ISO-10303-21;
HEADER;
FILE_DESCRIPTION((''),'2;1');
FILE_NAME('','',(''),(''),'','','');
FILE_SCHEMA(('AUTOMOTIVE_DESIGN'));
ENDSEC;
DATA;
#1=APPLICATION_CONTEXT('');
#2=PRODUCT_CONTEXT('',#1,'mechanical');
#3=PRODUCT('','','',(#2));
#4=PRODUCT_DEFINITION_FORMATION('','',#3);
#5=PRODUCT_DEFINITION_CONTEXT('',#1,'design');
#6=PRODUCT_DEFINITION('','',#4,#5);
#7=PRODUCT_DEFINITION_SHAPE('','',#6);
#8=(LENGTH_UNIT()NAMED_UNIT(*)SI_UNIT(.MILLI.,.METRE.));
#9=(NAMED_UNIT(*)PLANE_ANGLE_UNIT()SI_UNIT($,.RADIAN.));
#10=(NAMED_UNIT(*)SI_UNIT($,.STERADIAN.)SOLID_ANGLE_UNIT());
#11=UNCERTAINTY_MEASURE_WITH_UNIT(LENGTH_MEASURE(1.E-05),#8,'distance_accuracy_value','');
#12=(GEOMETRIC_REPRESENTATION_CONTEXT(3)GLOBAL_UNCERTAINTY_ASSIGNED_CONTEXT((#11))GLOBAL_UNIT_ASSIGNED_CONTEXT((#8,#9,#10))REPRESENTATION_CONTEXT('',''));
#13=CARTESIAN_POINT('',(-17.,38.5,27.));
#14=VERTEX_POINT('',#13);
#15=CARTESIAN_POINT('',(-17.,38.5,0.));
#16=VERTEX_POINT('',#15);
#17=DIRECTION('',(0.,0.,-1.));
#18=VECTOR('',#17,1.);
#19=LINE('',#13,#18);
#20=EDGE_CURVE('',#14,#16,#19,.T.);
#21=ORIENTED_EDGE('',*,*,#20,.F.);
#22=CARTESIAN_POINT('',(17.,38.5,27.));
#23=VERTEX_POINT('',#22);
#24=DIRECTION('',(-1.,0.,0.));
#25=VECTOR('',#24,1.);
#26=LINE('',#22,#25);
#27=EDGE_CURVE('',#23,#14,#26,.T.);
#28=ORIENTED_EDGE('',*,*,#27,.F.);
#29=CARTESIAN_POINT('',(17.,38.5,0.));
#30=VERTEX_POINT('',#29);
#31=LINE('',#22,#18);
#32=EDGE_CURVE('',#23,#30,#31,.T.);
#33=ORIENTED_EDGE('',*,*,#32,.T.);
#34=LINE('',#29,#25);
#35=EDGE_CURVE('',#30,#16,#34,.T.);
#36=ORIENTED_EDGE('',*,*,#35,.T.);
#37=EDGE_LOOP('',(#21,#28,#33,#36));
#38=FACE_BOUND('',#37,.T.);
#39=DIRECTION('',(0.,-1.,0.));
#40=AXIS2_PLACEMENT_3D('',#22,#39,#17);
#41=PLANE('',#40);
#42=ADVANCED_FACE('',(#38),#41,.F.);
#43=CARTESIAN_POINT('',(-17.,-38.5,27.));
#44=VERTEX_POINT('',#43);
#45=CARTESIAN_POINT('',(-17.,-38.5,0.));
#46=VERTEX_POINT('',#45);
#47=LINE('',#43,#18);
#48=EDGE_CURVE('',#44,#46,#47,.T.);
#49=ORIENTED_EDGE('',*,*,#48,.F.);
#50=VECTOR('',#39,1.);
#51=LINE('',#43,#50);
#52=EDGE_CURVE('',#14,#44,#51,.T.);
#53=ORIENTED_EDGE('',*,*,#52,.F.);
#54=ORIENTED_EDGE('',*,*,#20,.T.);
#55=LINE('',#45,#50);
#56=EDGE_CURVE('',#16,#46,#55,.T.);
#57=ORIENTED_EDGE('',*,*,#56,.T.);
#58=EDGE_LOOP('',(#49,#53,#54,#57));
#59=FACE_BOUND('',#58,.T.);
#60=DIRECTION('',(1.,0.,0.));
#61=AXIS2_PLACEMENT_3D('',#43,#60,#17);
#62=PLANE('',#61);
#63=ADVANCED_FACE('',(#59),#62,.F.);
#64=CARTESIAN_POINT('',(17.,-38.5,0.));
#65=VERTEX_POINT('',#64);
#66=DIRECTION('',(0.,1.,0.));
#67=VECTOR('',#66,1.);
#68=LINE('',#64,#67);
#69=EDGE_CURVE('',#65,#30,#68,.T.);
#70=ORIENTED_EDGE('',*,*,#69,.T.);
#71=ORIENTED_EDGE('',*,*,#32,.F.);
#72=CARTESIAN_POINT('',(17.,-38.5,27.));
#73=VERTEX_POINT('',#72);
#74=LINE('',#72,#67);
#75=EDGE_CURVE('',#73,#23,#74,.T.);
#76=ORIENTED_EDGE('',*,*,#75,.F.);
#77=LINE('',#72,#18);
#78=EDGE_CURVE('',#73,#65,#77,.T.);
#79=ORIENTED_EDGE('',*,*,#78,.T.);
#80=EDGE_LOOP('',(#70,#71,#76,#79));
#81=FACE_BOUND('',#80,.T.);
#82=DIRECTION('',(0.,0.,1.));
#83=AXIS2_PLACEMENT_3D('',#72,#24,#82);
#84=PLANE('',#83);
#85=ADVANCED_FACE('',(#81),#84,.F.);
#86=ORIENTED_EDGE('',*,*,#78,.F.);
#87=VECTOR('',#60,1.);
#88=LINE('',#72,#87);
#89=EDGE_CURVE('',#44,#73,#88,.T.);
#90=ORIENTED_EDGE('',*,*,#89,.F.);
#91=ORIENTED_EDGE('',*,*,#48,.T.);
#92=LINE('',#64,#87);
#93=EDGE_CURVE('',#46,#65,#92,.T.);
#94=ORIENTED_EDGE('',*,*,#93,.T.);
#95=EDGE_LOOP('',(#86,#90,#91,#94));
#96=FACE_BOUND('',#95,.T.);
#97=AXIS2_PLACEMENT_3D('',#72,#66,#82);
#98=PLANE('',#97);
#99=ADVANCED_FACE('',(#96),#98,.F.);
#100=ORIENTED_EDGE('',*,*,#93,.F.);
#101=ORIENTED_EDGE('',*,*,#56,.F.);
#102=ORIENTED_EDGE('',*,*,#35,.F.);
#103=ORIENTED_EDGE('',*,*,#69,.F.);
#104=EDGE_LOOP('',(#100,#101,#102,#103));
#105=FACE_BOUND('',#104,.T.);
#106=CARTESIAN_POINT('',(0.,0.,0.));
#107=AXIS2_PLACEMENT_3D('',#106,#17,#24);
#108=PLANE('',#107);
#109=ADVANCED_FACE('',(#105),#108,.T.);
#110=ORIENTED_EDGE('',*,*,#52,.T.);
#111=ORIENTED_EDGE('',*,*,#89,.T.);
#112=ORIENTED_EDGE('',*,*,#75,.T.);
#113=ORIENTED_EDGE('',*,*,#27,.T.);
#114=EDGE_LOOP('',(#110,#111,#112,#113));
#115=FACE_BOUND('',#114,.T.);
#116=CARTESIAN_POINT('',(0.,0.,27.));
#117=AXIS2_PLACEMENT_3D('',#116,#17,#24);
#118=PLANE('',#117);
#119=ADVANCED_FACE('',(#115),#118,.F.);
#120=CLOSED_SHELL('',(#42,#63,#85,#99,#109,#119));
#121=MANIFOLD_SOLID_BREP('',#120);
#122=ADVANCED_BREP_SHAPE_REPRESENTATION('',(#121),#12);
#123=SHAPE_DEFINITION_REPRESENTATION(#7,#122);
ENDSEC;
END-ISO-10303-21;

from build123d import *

# Parameters (mm, degrees)
ESBO_O1_W                = 77
ESBO_O1_H                = 34
RESSALTO_EXTRUS_O1_DEPTH = 27


with BuildPart() as part:
    # Esboço1 → Ressalto-extrusão1 (new body)
    with BuildSketch(Plane(origin=(0, 0, 0), x_dir=(0, 1, 0), z_dir=(0, 0, 1))):
        Rectangle(ESBO_O1_W, ESBO_O1_H)
    extrude(amount=RESSALTO_EXTRUS_O1_DEPTH)


solid = part.part
